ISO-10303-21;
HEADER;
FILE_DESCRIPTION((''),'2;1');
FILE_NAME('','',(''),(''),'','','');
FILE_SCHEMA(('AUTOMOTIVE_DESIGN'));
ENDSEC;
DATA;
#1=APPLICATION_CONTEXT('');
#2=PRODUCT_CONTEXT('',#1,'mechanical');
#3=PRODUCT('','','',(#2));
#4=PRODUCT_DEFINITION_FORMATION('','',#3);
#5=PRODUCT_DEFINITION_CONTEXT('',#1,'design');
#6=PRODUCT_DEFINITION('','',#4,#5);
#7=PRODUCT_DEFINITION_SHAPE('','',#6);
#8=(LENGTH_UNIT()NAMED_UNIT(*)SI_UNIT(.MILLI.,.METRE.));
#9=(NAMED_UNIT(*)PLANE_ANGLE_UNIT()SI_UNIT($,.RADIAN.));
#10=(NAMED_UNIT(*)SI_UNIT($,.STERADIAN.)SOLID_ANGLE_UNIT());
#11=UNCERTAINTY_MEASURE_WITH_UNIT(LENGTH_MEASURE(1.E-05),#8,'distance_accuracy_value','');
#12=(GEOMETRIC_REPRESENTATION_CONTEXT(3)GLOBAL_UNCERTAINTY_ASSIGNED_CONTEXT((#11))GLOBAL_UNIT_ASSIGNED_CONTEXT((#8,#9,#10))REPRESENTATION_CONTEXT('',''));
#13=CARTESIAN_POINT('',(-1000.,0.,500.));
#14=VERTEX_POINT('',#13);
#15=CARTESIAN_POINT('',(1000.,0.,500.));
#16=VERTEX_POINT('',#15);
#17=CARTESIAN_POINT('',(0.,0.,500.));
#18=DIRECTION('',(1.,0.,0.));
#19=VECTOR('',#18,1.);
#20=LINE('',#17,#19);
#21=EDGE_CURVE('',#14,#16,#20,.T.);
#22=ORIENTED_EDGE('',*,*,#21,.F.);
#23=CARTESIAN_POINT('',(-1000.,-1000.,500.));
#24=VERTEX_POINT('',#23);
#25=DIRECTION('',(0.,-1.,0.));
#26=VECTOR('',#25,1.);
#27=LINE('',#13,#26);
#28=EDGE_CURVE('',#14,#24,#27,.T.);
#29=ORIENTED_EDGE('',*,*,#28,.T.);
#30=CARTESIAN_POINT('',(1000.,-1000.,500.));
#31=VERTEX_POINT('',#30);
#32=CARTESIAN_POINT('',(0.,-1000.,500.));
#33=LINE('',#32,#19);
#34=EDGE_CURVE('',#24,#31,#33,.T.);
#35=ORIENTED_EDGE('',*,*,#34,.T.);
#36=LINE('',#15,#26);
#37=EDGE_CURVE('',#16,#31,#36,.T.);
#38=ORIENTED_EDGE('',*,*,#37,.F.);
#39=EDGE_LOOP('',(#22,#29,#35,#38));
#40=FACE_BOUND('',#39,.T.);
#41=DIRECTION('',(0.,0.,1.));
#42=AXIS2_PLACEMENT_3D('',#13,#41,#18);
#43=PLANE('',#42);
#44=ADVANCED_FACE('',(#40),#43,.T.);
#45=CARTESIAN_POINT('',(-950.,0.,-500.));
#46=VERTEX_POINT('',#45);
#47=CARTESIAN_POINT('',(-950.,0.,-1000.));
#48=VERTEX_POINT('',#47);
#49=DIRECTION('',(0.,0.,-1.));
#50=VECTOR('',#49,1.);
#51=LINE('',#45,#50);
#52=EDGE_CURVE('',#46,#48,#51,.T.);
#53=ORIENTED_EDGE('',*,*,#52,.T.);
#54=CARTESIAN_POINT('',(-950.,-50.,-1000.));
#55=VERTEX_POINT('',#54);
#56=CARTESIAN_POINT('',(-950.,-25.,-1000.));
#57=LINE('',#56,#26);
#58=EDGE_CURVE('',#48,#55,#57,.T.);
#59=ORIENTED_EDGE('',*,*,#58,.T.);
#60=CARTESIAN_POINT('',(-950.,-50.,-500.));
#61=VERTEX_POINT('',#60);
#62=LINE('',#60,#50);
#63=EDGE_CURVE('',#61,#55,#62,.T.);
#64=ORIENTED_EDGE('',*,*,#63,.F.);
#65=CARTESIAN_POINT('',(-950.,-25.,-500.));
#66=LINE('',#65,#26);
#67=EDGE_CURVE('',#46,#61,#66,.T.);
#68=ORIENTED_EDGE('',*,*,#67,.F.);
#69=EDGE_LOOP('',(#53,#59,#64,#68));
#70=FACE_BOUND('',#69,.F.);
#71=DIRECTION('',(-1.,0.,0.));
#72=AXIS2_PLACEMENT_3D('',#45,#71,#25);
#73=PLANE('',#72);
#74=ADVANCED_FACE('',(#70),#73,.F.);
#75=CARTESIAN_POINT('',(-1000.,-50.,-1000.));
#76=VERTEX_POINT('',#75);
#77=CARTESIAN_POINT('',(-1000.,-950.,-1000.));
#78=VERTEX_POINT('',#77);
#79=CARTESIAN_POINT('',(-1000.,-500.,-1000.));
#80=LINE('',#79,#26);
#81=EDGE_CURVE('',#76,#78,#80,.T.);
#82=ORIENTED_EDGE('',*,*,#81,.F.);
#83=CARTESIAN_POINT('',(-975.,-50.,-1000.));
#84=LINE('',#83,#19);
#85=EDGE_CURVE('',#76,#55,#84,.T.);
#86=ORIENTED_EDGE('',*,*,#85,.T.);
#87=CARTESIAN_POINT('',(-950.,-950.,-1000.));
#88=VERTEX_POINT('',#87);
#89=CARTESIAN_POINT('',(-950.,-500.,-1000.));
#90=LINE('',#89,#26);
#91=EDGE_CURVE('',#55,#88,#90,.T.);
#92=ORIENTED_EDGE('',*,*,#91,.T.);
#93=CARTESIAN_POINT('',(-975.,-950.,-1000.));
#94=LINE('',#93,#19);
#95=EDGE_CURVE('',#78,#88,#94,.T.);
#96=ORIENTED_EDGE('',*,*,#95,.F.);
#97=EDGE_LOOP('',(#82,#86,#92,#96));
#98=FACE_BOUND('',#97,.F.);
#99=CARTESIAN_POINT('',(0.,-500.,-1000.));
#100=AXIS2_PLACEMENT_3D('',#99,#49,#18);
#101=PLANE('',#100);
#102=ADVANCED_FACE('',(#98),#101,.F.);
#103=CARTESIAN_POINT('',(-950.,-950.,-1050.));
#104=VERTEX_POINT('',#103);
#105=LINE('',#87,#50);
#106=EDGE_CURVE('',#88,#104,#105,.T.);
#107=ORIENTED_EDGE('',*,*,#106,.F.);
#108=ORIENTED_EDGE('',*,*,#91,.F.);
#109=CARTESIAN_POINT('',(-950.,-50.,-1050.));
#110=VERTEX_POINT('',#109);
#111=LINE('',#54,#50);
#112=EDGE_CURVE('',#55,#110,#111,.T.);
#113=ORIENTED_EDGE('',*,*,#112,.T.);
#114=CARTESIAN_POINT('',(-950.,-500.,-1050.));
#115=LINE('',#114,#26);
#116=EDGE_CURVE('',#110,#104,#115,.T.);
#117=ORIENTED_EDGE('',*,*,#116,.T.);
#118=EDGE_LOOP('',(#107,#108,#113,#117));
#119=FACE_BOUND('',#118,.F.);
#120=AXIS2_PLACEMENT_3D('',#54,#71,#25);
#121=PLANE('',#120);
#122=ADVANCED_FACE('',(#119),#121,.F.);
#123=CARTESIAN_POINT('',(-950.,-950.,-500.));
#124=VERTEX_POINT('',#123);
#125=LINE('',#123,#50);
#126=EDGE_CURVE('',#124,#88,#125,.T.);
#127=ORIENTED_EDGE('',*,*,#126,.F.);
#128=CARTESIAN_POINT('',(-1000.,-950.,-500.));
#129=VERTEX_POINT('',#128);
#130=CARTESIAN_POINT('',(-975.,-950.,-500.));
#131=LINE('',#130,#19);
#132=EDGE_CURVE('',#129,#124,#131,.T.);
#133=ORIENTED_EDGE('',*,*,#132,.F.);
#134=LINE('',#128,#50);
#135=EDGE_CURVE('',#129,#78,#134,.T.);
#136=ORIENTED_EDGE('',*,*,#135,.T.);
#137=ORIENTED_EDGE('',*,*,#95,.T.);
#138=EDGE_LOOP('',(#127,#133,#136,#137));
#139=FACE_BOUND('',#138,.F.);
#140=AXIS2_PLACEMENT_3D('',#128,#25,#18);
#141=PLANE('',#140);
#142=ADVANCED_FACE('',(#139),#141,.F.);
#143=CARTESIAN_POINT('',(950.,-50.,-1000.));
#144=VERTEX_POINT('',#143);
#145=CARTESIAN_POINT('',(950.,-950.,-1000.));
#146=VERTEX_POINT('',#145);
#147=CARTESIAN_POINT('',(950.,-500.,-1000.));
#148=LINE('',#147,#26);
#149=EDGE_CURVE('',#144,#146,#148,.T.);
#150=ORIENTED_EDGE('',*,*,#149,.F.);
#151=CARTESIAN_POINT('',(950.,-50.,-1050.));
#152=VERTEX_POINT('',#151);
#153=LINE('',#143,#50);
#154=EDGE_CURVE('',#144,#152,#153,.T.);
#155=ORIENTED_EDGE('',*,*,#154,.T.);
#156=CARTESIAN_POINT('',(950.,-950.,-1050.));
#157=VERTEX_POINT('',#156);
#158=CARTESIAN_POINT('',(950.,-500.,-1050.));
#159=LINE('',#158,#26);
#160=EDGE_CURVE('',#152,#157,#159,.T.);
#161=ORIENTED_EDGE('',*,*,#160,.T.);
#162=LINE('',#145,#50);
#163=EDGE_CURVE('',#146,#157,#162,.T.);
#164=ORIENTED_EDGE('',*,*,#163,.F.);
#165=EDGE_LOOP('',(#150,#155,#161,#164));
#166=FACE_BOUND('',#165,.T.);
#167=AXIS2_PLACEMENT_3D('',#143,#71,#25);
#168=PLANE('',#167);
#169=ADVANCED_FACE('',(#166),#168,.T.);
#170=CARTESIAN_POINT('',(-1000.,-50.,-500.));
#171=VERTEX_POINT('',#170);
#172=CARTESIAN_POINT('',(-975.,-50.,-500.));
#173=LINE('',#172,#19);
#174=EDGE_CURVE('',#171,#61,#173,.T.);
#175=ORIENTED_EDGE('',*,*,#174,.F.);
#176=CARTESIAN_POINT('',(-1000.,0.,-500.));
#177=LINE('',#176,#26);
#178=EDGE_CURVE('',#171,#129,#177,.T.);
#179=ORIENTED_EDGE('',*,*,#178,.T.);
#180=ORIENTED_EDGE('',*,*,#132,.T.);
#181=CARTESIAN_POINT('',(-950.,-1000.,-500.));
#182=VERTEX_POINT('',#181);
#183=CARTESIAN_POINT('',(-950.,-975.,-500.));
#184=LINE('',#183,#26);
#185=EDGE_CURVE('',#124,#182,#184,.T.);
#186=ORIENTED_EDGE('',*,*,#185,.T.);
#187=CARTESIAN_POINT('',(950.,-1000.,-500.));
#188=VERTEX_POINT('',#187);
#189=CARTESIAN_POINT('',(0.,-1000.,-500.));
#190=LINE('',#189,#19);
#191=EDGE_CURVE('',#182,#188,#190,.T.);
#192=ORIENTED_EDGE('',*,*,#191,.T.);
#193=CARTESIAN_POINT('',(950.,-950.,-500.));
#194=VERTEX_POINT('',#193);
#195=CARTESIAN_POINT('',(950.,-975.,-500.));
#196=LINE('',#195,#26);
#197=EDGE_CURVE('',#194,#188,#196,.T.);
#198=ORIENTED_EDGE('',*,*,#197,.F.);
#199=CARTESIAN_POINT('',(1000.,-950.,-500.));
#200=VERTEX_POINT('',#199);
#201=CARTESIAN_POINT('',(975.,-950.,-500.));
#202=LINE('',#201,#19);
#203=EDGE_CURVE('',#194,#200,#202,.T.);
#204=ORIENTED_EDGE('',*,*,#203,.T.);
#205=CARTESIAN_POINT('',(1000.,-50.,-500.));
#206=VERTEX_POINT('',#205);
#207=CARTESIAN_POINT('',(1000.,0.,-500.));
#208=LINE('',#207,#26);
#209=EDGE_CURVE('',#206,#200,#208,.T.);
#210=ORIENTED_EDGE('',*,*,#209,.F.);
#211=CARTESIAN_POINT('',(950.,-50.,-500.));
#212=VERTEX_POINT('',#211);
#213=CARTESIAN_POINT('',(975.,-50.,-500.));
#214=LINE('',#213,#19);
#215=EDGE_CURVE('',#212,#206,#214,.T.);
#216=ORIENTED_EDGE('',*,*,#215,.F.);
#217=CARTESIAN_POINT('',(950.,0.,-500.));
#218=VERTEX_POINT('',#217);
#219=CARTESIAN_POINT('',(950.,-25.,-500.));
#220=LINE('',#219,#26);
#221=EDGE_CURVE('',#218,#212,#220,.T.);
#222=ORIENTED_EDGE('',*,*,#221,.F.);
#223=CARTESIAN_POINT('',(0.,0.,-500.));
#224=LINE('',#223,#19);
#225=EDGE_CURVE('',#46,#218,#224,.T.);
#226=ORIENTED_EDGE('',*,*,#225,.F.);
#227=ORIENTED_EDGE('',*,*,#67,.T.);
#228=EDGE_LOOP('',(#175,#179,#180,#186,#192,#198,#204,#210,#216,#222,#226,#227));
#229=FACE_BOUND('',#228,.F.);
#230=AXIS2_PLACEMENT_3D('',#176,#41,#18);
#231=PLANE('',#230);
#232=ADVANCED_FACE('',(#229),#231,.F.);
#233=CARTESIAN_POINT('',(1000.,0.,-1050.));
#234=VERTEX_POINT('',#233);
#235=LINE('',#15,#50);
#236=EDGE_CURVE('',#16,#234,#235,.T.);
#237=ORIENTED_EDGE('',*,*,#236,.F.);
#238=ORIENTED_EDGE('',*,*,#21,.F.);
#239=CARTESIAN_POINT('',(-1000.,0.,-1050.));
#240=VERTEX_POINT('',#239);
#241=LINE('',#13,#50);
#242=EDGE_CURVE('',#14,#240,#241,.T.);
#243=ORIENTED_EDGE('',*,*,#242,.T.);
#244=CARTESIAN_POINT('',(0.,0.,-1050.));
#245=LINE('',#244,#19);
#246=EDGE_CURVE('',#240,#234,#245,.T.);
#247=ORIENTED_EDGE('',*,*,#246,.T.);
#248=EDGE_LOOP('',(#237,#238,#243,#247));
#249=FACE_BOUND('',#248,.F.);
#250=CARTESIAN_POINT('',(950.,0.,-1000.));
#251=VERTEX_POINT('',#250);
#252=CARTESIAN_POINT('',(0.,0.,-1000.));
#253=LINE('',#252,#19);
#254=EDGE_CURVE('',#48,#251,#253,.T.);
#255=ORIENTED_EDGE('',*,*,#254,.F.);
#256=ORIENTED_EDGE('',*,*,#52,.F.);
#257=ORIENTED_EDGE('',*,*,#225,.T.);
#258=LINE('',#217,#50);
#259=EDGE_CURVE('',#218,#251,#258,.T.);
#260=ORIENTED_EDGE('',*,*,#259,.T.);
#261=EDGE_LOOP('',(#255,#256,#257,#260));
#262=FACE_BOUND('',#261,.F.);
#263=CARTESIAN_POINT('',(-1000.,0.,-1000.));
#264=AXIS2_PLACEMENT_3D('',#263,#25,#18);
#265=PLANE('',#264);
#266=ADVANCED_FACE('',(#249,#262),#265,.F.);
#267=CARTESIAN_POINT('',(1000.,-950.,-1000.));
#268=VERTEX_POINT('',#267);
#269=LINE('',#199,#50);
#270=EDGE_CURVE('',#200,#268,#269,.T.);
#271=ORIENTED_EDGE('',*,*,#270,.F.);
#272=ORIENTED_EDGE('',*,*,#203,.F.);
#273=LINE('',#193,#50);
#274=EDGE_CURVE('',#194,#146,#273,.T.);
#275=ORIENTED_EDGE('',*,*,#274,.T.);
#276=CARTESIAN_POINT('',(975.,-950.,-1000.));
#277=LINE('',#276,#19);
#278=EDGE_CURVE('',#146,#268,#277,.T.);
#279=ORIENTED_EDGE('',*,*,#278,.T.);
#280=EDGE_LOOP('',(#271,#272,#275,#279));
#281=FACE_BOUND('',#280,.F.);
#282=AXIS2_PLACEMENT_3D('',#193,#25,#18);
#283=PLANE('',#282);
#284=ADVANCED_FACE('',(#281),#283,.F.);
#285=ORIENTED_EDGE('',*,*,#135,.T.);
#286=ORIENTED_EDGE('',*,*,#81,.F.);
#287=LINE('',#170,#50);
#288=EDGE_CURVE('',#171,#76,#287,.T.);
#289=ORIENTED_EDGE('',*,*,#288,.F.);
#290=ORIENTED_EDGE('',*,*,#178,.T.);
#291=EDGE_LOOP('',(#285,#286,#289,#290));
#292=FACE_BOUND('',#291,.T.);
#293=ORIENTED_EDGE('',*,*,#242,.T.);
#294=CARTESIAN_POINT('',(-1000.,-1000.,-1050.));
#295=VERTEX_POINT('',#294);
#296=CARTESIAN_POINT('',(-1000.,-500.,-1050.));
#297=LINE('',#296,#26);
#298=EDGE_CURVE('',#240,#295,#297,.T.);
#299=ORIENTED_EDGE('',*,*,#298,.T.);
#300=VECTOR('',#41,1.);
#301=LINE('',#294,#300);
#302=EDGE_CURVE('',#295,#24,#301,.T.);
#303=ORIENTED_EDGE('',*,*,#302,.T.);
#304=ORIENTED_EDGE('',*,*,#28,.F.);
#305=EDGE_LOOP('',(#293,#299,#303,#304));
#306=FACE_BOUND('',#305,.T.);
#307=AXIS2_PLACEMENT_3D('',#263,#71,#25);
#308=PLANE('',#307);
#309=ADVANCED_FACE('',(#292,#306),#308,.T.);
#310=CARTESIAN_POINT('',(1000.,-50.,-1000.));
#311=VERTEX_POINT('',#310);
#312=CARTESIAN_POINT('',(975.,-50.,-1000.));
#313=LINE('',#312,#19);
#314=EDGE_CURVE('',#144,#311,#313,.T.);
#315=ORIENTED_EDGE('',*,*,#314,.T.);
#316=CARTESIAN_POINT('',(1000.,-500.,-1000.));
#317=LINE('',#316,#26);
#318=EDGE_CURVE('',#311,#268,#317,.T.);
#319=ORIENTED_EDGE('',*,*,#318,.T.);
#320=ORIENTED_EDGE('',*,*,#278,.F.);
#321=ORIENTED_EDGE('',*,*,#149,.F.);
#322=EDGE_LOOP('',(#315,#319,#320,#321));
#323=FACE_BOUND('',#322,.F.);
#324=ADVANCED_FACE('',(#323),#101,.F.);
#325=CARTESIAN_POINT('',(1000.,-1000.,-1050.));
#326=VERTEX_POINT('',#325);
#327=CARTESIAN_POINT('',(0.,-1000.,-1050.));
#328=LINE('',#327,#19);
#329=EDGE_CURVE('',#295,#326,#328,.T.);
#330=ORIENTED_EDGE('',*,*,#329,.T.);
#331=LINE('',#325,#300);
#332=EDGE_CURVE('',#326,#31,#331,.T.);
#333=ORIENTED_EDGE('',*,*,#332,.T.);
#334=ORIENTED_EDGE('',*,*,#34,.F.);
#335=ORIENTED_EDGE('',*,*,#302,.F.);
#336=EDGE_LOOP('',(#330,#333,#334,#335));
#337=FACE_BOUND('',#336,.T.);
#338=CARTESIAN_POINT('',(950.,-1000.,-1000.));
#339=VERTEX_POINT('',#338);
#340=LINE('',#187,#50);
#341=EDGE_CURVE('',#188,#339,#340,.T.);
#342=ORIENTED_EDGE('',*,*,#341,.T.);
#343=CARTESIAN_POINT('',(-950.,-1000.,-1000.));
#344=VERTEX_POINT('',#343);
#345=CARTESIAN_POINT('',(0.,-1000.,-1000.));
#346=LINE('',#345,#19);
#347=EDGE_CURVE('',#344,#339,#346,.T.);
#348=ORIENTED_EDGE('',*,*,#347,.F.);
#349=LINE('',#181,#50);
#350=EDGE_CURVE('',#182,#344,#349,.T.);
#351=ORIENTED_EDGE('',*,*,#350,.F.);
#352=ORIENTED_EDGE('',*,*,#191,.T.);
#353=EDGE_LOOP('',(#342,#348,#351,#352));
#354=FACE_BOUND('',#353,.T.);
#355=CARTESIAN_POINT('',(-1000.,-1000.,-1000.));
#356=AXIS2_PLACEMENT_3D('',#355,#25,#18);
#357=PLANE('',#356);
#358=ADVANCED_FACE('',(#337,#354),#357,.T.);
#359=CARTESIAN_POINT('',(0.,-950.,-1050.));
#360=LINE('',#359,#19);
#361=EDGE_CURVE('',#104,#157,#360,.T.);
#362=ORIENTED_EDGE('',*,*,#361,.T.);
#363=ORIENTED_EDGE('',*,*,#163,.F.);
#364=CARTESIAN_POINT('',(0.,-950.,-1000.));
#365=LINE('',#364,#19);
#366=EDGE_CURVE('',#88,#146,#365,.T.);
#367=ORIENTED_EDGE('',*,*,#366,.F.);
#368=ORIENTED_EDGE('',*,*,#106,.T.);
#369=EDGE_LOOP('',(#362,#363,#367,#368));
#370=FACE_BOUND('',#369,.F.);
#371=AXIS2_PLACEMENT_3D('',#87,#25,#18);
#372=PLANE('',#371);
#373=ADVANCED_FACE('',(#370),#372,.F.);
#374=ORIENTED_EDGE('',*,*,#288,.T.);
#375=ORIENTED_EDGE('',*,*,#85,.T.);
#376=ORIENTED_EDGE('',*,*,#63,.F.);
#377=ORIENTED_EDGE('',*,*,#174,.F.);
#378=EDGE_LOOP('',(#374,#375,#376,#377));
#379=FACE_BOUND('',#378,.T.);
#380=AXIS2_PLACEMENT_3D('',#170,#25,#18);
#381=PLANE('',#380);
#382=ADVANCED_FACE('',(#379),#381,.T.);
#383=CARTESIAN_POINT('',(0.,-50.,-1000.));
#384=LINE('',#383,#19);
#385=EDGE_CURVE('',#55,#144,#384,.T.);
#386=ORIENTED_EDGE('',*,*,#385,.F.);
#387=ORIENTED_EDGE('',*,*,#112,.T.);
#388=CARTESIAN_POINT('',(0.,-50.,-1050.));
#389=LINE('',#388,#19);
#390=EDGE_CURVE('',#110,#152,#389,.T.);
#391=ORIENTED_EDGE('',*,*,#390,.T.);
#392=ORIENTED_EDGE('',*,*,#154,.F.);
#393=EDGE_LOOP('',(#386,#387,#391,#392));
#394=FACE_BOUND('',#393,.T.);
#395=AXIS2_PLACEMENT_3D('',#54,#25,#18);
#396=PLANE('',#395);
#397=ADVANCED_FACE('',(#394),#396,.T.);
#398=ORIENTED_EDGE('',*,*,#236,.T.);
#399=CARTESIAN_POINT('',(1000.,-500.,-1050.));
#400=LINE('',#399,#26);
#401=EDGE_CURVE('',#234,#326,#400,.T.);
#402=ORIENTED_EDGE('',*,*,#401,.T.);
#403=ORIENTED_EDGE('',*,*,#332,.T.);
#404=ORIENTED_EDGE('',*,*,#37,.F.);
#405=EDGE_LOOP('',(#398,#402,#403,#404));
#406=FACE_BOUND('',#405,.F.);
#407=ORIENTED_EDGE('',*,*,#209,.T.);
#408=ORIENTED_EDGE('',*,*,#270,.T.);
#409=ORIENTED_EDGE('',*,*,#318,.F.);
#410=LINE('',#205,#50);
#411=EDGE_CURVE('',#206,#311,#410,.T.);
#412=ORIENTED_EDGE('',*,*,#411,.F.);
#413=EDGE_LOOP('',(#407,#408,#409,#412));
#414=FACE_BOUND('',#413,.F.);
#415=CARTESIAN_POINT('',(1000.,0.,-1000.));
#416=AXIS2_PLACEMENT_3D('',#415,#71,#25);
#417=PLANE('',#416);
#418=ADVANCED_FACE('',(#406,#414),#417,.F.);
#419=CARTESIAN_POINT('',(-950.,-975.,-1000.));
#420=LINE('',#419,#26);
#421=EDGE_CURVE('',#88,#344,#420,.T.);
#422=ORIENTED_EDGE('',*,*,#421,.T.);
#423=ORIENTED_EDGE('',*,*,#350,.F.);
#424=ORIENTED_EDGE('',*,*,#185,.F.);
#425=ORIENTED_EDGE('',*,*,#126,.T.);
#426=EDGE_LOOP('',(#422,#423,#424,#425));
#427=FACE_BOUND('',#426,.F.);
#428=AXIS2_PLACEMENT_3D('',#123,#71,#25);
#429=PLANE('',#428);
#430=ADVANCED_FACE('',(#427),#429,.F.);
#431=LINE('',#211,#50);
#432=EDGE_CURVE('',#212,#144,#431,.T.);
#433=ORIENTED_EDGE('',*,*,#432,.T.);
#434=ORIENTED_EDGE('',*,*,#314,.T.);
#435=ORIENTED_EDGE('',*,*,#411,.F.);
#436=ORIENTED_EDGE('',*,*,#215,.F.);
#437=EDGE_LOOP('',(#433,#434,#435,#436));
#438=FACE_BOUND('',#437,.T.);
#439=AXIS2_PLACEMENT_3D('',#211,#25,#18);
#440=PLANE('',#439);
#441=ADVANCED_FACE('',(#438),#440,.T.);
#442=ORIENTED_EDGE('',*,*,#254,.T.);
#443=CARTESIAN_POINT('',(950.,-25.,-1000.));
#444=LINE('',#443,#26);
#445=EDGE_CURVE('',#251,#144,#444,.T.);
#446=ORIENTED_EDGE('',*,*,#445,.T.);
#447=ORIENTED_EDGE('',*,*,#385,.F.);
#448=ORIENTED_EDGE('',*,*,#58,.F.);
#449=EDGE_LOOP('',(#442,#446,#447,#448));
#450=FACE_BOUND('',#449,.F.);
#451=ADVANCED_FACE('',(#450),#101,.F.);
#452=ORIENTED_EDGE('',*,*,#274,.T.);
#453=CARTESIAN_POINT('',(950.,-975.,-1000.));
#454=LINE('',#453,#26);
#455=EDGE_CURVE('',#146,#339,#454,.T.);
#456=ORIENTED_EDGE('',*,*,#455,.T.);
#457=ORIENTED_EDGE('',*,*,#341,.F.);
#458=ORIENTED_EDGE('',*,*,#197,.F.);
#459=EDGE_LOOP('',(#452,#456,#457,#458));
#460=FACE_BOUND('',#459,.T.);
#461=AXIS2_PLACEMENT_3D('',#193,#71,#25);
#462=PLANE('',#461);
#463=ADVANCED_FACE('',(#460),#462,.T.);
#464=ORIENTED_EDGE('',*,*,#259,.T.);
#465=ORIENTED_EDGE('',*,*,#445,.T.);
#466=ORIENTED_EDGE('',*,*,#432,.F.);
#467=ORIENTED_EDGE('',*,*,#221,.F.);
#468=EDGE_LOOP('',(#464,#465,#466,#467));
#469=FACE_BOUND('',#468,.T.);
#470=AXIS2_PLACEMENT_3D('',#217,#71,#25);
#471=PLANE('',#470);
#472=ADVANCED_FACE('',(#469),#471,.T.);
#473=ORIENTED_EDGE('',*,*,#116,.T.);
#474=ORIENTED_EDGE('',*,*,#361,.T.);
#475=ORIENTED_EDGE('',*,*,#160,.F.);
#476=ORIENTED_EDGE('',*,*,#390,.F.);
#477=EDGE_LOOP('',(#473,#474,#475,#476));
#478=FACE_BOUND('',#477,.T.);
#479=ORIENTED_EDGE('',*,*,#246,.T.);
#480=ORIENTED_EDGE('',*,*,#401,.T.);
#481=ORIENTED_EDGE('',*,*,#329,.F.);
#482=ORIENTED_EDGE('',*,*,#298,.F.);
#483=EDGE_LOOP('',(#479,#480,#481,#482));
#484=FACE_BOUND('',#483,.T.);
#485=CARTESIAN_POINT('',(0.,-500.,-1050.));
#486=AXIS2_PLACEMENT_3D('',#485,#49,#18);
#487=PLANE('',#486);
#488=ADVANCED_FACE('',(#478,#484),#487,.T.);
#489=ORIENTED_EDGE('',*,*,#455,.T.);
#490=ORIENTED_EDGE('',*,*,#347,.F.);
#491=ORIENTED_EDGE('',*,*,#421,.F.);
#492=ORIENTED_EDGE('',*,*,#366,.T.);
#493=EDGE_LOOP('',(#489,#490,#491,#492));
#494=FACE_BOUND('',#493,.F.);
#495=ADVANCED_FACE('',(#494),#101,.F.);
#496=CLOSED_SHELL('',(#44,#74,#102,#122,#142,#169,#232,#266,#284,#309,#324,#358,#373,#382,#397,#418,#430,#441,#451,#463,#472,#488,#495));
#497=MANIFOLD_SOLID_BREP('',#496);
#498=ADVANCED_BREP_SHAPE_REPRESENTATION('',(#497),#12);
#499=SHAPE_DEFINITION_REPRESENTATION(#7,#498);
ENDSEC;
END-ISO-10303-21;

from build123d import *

# Parameters (mm, degrees)
F0_W     = 2000
F0_H     = 1000
F1_DEPTH = 1000
F3_W     = 50
F3_H     = 50
F4_DEPTH = 500
F6_W     = 2000
F6_H     = 1000
F6_W_2   = 1900
F6_H_2   = 900
F7_DEPTH = 50


with BuildPart() as f1:
    # F0 (on Front) → F1 (new body)
    with BuildSketch(Plane.XZ):
        Rectangle(F0_W, F0_H)
    extrude(amount=F1_DEPTH)

    # F3 (on offset) → F4 (join)
    with BuildSketch(Plane(origin=(0, 0, -500), x_dir=(1, 0, 0), z_dir=(0, 0, -1))):
        with Locations((975, 25)):
            Rectangle(F3_W, F3_H)
        with Locations((975, 975)):
            Rectangle(F3_W, F3_H)
        with Locations((-975, 975)):
            Rectangle(F3_W, F3_H)
        with Locations((-975, 25)):
            Rectangle(F3_W, F3_H)
    extrude(amount=F4_DEPTH)

    # F6 (on offset) → F7 (join)
    with BuildSketch(Plane(origin=(0, 0, -1000), x_dir=(1, 0, 0), z_dir=(0, 0, -1))):
        with Locations((0, 500)):
            Rectangle(F6_W, F6_H)
        with Locations((0, 500)):
            Rectangle(F6_W_2, F6_H_2, mode=Mode.SUBTRACT)
    extrude(amount=F7_DEPTH)


solid = f1.part
